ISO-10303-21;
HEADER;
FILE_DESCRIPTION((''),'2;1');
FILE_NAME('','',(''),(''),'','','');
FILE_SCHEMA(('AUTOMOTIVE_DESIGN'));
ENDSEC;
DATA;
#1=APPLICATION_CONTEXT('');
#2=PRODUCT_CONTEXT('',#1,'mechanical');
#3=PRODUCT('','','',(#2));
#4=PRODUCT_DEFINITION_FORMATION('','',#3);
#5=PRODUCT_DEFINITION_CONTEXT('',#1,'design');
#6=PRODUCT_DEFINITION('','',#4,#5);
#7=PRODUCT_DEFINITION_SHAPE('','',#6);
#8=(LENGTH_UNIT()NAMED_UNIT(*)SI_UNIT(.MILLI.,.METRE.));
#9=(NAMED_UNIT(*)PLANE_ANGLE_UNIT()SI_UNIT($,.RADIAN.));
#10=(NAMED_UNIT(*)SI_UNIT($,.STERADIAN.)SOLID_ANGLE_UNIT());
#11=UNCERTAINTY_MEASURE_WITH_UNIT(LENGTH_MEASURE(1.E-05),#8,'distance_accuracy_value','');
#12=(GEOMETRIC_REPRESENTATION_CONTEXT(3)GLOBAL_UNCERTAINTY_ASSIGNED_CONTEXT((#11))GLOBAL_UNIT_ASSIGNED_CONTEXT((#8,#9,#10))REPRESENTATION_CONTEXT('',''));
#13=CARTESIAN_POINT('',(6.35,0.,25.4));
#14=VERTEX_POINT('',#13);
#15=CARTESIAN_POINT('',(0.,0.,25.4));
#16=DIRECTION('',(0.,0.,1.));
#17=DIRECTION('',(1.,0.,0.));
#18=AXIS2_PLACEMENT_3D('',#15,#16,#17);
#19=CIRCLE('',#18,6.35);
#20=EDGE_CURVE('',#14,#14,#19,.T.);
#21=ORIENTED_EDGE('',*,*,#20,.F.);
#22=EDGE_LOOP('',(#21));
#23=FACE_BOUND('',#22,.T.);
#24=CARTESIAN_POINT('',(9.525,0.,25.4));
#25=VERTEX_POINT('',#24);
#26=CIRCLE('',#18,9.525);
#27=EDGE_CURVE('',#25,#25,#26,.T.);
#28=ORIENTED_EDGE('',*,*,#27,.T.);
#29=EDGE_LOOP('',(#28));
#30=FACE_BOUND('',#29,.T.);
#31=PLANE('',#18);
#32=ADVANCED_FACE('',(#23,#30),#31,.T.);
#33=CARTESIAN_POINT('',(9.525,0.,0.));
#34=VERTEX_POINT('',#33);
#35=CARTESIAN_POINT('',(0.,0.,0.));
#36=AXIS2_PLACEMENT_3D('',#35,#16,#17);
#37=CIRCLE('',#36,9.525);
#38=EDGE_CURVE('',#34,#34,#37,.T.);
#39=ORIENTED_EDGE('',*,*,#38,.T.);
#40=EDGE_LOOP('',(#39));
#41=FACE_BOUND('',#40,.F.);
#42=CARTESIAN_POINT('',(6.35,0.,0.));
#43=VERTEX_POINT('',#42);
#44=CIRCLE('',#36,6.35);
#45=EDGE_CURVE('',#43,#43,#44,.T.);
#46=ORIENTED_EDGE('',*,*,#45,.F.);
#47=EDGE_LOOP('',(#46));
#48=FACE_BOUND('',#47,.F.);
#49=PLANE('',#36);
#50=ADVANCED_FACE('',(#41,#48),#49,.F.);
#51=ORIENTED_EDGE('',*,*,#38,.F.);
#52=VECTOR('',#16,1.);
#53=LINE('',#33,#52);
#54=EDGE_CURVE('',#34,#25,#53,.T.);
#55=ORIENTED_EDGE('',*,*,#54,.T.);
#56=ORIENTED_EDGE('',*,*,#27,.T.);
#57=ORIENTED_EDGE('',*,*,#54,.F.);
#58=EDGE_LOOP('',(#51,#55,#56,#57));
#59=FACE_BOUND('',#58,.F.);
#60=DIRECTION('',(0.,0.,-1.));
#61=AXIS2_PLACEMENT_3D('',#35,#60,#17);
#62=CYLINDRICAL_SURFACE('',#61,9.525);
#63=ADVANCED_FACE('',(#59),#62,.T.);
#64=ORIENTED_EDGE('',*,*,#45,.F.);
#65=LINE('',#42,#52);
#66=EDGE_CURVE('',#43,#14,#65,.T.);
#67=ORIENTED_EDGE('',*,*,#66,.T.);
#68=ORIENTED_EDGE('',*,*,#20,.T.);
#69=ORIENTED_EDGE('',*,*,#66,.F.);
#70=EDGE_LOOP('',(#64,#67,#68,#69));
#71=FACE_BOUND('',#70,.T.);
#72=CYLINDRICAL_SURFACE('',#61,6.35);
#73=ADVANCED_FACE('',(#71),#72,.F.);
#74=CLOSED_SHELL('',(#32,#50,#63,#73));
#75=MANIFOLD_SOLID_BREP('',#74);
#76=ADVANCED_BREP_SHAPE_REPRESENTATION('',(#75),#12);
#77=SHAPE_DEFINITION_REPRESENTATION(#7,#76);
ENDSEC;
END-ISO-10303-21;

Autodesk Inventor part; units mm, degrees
ref_plane "YZ Plane" through (0, 0, 0) normal (1, 0, 0) x (0, 1, 0)
ref_plane "XZ Plane" through (0, 0, 0) normal (0, 1, 0) x (-1, 0, 0)
ref_plane "XY Plane" through (0, 0, 0) normal (0, 0, 1) x (1, 0, 0)
sketch "Sketch1" plane through (0, 0, 0) normal (0, 0, 1) x (1, 0, 0)
  circle A0 centre (0, 0) radius 9.525
  circle A1 centre (0, 0) radius 6.35
  dimension "d0" = 12.7
  dimension "d1" = 19.05
extrude "Extrusion1" add sketch "Sketch1" along normal blind 25.4
properties part number "Main Standoff"
